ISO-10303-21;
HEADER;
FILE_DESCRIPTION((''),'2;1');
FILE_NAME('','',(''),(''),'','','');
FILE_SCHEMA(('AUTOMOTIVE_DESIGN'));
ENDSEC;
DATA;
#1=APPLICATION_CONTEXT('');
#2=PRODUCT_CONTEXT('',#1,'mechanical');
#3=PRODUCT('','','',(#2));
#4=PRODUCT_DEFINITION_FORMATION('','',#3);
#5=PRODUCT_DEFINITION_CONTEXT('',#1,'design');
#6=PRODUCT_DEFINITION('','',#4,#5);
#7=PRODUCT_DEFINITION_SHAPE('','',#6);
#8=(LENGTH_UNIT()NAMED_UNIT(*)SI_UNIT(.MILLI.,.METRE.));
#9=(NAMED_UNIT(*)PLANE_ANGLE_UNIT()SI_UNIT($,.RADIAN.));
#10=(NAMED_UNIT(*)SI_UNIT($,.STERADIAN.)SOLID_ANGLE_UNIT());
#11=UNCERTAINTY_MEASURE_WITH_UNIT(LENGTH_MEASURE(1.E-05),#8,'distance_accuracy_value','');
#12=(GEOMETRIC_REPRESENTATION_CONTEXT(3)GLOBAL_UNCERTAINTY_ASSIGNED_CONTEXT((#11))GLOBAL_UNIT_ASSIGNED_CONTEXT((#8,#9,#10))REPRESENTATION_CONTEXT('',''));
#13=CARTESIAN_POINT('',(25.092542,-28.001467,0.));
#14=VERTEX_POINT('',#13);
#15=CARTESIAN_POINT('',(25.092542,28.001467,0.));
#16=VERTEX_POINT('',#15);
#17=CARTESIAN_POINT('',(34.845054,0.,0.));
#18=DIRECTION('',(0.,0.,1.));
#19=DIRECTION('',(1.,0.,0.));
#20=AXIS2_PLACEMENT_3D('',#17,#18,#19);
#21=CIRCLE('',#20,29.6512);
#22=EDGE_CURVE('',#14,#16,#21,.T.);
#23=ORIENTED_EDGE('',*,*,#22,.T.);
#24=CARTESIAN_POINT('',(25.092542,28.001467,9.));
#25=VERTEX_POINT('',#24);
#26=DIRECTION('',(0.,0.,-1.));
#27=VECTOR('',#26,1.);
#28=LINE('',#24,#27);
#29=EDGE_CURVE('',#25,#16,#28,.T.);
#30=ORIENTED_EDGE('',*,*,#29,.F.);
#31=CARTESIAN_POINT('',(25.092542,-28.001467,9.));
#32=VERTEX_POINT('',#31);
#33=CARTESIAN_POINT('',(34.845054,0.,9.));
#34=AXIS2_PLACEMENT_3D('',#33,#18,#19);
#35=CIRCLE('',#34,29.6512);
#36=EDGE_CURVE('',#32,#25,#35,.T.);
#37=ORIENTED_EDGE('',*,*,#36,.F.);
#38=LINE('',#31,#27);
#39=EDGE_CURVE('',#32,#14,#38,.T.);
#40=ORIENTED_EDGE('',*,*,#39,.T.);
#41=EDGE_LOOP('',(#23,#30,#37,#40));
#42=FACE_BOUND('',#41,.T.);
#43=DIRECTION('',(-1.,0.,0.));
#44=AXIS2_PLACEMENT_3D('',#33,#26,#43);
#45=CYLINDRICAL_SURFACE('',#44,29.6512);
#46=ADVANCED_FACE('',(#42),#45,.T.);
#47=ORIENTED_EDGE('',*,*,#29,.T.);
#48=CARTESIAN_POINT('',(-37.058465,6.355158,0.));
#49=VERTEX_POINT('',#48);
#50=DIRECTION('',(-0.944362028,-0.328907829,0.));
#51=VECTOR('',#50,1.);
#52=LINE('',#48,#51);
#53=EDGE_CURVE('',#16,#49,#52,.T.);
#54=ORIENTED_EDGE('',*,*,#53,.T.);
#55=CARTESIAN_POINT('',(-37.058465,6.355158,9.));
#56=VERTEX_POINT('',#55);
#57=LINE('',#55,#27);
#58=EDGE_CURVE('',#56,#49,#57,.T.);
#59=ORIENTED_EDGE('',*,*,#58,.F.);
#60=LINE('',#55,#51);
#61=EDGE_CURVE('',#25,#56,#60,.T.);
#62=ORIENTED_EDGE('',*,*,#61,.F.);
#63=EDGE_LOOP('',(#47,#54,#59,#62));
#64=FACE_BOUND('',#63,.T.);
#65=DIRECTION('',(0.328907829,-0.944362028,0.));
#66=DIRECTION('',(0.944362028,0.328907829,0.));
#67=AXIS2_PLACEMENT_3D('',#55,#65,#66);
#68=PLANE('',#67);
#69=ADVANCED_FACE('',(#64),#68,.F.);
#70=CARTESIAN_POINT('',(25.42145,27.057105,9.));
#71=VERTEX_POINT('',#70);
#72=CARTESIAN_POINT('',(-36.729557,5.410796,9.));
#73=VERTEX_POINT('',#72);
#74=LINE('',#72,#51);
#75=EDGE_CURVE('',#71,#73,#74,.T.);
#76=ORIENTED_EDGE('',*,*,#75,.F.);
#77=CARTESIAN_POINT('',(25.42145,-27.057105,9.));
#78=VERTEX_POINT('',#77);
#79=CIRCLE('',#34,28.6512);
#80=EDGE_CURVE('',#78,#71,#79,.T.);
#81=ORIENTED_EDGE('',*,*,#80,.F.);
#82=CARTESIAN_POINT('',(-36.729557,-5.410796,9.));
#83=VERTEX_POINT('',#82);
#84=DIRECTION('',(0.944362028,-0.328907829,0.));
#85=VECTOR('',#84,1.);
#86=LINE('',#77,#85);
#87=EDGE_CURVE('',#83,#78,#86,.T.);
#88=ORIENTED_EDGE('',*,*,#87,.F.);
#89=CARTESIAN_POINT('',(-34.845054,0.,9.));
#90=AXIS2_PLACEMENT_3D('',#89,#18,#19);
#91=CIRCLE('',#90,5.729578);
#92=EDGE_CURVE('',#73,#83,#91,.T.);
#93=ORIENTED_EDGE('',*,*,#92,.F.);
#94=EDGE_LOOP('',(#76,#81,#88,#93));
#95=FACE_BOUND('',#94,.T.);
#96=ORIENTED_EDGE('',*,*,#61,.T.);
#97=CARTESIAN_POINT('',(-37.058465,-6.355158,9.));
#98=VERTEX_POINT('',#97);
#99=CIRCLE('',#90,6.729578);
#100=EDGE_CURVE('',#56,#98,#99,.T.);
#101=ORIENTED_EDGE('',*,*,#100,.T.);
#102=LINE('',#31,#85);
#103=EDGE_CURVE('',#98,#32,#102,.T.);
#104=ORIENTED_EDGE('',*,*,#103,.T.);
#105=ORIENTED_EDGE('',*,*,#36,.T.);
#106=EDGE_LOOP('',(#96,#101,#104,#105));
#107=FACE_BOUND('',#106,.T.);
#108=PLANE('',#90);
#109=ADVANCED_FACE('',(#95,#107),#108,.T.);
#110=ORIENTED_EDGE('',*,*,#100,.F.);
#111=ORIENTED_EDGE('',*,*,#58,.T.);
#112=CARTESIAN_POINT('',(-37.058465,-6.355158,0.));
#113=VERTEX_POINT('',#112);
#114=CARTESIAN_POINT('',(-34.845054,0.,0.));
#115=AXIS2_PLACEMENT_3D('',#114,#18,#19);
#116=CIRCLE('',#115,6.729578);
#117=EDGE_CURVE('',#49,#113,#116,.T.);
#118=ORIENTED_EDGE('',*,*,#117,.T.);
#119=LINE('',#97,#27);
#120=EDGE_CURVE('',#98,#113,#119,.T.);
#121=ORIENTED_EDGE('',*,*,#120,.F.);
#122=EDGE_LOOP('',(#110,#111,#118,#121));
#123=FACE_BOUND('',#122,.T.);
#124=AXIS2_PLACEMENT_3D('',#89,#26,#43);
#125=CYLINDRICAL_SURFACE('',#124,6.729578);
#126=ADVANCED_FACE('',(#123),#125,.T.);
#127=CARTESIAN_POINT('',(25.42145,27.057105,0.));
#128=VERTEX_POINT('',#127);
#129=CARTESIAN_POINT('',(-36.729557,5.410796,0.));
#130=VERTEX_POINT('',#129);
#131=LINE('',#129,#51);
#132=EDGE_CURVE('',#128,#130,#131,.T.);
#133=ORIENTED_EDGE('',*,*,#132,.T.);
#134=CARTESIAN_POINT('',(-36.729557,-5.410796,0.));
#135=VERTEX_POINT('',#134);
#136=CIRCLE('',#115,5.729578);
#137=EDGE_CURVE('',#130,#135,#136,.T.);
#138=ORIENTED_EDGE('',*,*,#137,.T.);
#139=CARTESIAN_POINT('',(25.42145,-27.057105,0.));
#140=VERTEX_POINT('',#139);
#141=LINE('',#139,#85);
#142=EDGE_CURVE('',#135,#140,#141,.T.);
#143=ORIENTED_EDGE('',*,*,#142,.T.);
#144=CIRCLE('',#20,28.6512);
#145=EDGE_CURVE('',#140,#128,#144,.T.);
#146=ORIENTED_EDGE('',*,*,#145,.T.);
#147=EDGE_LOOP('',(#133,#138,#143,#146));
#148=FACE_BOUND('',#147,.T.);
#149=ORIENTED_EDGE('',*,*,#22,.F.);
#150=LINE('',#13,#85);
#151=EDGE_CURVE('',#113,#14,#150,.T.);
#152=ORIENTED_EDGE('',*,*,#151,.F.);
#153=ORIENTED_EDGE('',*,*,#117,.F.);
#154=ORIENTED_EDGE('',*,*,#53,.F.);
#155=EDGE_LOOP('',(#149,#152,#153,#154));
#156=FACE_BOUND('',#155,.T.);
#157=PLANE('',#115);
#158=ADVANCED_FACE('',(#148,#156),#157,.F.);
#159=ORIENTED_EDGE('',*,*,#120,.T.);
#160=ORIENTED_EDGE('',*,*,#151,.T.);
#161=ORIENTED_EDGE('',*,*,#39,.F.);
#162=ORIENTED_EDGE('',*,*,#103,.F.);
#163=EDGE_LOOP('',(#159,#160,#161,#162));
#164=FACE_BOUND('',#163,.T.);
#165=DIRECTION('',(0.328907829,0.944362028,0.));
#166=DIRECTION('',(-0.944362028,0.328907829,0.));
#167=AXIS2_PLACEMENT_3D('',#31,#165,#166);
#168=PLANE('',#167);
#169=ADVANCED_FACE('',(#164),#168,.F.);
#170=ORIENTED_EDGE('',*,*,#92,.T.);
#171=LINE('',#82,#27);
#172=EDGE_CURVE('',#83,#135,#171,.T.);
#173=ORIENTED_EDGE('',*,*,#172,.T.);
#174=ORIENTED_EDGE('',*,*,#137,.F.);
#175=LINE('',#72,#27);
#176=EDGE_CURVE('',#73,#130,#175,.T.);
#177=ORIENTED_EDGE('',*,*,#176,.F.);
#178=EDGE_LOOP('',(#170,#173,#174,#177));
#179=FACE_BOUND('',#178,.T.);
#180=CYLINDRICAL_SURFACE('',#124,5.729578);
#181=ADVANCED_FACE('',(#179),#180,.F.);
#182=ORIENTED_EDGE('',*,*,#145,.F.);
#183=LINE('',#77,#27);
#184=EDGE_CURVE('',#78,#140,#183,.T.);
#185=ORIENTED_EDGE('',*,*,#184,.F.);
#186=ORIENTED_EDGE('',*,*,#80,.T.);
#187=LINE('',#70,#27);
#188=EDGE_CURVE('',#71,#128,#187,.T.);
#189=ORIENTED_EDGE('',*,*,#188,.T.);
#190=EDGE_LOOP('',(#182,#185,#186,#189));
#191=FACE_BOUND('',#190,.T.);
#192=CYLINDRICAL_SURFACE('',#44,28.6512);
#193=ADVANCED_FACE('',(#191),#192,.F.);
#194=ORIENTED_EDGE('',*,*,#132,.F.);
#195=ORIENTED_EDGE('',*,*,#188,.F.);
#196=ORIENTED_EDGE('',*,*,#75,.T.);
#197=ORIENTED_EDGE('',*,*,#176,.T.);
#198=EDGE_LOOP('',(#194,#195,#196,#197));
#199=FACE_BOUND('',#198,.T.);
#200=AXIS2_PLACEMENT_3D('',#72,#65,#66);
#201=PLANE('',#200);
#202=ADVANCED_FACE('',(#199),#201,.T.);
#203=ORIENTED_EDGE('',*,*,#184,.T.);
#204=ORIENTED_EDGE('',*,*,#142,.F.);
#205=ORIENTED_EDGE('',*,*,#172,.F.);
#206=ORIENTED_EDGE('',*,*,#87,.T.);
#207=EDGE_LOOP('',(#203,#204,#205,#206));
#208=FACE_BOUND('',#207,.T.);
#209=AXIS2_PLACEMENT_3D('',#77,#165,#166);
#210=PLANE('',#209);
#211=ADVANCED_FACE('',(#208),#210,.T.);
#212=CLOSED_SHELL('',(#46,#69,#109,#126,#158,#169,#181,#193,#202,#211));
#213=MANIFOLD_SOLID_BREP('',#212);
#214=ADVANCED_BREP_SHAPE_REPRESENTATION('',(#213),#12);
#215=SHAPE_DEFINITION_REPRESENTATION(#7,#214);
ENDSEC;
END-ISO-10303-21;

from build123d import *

# Parameters (mm, degrees)
BOSS_EXTRUDE2_DEPTH = 9


with BuildPart() as part:
    # Sketch1 → Boss-Extrude2 (new body)
    with BuildSketch(Plane.XY):
        with BuildLine():
            Line((25.092542018, -28.001467363), (-37.058464724, -6.355157881))
            ThreePointArc((-37.058464724, -6.355157881), (-41.574631799, 0), (-37.058464724, 6.355157881))
            Line((-37.058464724, 6.355157881), (25.092542018, 28.001467363))
            ThreePointArc((25.092542018, 28.001467363), (64.496253847, 0), (25.092542018, -28.001467363))
        make_face()
        with BuildLine():
            Line((25.421449847, -27.057105335), (-36.729556894, -5.410795853))
            ThreePointArc((-36.729556894, -5.410795853), (-40.574631799, 0), (-36.729556894, 5.410795853))
            Line((-36.729556894, 5.410795853), (25.421449847, 27.057105335))
            ThreePointArc((25.421449847, 27.057105335), (63.496253847, 0), (25.421449847, -27.057105335))
        make_face(mode=Mode.SUBTRACT)
    extrude(amount=BOSS_EXTRUDE2_DEPTH)


solid = part.part
